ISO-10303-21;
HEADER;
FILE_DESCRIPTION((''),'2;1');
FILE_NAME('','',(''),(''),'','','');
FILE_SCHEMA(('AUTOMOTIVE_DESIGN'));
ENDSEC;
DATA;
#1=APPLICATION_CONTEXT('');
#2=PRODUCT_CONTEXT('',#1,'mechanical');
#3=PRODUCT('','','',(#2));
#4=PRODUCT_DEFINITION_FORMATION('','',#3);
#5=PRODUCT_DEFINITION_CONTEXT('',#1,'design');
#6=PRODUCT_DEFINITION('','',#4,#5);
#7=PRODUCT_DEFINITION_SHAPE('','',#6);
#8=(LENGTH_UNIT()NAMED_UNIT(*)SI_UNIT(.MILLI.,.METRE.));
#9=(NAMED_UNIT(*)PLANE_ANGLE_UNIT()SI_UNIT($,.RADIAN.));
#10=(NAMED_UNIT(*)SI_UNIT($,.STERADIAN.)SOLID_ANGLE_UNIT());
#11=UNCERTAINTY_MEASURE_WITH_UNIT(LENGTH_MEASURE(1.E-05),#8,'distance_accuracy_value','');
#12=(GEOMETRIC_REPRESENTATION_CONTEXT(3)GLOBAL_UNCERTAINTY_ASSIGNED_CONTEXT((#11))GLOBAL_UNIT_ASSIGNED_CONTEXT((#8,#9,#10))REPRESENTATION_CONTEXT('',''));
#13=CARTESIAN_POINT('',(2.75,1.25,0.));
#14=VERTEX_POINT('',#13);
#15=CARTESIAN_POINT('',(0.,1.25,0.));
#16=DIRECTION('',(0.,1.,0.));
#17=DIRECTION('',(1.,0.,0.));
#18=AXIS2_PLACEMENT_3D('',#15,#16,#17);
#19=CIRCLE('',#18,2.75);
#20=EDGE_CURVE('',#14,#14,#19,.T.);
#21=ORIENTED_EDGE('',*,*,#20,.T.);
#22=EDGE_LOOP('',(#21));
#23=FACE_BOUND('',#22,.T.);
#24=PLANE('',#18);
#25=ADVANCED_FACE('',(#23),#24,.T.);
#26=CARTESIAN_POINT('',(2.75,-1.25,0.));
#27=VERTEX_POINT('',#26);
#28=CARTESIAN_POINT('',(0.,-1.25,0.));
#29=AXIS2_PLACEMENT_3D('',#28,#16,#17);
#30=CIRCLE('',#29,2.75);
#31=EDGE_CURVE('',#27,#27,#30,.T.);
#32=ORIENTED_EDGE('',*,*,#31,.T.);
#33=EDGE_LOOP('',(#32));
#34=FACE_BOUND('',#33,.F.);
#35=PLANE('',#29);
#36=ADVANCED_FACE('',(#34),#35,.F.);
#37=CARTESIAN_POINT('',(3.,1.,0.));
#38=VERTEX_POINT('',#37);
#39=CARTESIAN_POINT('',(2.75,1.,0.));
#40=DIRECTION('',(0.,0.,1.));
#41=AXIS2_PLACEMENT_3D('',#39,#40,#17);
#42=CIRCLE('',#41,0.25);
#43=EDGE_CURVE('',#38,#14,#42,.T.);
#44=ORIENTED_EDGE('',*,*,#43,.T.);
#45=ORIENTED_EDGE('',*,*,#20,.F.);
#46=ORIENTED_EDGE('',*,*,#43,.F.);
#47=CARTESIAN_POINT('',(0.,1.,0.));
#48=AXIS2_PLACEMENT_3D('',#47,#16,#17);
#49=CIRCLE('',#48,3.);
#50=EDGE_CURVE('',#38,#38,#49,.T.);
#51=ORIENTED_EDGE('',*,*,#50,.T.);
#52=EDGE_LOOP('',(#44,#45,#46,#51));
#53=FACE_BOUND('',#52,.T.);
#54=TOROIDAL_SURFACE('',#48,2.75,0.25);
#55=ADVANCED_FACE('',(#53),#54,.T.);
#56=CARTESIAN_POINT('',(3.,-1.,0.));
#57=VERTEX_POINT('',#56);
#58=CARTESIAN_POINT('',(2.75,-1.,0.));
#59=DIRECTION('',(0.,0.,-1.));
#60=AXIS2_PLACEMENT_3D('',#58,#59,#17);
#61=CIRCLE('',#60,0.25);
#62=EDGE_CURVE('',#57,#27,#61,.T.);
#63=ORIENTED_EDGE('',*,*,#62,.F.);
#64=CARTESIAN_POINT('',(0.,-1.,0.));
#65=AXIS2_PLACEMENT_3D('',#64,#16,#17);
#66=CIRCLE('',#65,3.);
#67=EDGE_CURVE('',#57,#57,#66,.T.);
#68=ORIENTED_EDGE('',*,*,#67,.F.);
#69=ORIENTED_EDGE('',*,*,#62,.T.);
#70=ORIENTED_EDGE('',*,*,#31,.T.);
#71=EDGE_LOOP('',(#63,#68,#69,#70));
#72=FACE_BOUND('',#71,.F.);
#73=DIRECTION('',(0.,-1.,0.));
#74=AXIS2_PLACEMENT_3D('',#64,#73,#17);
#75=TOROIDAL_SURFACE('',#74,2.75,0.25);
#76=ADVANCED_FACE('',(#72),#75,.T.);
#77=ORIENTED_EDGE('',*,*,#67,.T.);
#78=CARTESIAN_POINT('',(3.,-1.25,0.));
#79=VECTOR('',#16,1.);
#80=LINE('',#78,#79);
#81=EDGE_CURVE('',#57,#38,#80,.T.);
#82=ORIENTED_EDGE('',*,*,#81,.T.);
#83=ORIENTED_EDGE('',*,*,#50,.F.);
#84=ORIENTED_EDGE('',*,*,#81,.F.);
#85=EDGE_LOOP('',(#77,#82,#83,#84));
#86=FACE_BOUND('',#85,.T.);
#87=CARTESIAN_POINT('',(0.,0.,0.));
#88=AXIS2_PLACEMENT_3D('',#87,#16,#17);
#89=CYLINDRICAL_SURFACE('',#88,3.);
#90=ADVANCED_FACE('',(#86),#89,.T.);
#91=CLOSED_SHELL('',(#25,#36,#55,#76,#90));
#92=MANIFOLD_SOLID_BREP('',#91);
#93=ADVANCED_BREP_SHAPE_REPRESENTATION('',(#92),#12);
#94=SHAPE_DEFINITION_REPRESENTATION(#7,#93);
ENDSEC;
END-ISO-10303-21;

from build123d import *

# Parameters (mm, degrees)
SKETCH1_R           = 3
BOSS_EXTRUDE1_DEPTH = 1.25
FILLET1_R           = 0.25


with BuildPart() as part:
    # Sketch1 → Boss-Extrude1 (new body, symmetric)
    with BuildSketch(Plane(origin=(0, 0, 0), x_dir=(1, 0, 0), z_dir=(0, 1, 0))):
        Circle(SKETCH1_R)
    extrude(amount=BOSS_EXTRUDE1_DEPTH, both=True)

    # Fillet1
    fillet1_edges = [part.edges().sort_by_distance(p)[0] for p in [
        (-3, -1.25, 0),
        (-3, 1.25, 0),
    ]]
    fillet(fillet1_edges, radius=FILLET1_R)


solid = part.part
